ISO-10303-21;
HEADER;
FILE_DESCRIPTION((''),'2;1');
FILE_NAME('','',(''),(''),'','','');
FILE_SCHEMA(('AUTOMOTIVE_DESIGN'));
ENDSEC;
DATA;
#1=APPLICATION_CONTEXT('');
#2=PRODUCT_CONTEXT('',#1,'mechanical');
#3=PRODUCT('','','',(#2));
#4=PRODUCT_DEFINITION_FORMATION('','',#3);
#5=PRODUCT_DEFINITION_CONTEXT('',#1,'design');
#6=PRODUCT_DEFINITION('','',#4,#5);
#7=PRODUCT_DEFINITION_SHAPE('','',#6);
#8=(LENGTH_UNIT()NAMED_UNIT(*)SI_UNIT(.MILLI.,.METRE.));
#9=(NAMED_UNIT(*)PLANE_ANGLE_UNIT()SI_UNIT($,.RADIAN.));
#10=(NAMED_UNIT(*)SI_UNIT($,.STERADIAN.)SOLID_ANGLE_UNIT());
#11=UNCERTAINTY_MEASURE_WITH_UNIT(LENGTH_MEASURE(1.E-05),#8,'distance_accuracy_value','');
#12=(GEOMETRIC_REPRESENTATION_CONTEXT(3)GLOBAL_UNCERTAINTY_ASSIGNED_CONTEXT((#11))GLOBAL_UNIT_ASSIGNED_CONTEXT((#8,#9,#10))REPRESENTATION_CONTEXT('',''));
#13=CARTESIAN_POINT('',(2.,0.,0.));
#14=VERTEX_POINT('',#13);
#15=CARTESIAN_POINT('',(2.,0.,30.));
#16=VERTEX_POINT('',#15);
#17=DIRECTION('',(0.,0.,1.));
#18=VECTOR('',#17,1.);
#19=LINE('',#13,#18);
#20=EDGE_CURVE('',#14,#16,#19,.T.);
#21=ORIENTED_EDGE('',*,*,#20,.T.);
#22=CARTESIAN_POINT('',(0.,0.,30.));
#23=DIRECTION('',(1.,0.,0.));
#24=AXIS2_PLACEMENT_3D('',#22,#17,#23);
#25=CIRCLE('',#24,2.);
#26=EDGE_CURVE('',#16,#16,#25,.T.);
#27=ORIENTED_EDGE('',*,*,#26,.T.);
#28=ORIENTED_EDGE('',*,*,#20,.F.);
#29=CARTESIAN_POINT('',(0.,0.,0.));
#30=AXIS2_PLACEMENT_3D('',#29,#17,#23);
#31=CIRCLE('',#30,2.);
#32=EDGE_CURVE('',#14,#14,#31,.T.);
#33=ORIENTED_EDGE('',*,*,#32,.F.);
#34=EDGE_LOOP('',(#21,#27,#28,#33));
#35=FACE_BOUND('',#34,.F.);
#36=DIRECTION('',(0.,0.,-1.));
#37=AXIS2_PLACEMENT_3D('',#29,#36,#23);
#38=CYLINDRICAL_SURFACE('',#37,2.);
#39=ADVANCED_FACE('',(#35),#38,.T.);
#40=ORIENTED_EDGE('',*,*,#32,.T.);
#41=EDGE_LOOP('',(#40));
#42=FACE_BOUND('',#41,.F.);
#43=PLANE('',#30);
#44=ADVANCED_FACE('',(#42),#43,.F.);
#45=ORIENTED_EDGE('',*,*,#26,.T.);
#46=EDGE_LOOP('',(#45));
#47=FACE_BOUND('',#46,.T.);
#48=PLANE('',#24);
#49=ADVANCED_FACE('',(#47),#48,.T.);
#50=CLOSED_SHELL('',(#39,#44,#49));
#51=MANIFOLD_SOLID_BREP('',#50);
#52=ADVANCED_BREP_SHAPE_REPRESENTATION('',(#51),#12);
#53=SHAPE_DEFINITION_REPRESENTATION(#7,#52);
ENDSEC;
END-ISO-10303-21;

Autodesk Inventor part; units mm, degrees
ref_plane "YZ Plane" through (0, 0, 0) normal (1, 0, 0) x (0, 1, 0)
ref_plane "XZ Plane" through (0, 0, 0) normal (0, 1, 0) x (-1, 0, 0)
ref_plane "XY Plane" through (0, 0, 0) normal (0, 0, 1) x (1, 0, 0)
sketch "スケッチ1" plane through (0, 0, 0) normal (0, 0, 1) x (1, 0, 0)
  circle A0 centre (0, 0) radius 2
  dimension "d0" = 4
extrude "押し出し1" add sketch "スケッチ1" along normal blind 30
properties part number "平行ピン　φ4　長さ30" material "鋼、炭素鋼"
